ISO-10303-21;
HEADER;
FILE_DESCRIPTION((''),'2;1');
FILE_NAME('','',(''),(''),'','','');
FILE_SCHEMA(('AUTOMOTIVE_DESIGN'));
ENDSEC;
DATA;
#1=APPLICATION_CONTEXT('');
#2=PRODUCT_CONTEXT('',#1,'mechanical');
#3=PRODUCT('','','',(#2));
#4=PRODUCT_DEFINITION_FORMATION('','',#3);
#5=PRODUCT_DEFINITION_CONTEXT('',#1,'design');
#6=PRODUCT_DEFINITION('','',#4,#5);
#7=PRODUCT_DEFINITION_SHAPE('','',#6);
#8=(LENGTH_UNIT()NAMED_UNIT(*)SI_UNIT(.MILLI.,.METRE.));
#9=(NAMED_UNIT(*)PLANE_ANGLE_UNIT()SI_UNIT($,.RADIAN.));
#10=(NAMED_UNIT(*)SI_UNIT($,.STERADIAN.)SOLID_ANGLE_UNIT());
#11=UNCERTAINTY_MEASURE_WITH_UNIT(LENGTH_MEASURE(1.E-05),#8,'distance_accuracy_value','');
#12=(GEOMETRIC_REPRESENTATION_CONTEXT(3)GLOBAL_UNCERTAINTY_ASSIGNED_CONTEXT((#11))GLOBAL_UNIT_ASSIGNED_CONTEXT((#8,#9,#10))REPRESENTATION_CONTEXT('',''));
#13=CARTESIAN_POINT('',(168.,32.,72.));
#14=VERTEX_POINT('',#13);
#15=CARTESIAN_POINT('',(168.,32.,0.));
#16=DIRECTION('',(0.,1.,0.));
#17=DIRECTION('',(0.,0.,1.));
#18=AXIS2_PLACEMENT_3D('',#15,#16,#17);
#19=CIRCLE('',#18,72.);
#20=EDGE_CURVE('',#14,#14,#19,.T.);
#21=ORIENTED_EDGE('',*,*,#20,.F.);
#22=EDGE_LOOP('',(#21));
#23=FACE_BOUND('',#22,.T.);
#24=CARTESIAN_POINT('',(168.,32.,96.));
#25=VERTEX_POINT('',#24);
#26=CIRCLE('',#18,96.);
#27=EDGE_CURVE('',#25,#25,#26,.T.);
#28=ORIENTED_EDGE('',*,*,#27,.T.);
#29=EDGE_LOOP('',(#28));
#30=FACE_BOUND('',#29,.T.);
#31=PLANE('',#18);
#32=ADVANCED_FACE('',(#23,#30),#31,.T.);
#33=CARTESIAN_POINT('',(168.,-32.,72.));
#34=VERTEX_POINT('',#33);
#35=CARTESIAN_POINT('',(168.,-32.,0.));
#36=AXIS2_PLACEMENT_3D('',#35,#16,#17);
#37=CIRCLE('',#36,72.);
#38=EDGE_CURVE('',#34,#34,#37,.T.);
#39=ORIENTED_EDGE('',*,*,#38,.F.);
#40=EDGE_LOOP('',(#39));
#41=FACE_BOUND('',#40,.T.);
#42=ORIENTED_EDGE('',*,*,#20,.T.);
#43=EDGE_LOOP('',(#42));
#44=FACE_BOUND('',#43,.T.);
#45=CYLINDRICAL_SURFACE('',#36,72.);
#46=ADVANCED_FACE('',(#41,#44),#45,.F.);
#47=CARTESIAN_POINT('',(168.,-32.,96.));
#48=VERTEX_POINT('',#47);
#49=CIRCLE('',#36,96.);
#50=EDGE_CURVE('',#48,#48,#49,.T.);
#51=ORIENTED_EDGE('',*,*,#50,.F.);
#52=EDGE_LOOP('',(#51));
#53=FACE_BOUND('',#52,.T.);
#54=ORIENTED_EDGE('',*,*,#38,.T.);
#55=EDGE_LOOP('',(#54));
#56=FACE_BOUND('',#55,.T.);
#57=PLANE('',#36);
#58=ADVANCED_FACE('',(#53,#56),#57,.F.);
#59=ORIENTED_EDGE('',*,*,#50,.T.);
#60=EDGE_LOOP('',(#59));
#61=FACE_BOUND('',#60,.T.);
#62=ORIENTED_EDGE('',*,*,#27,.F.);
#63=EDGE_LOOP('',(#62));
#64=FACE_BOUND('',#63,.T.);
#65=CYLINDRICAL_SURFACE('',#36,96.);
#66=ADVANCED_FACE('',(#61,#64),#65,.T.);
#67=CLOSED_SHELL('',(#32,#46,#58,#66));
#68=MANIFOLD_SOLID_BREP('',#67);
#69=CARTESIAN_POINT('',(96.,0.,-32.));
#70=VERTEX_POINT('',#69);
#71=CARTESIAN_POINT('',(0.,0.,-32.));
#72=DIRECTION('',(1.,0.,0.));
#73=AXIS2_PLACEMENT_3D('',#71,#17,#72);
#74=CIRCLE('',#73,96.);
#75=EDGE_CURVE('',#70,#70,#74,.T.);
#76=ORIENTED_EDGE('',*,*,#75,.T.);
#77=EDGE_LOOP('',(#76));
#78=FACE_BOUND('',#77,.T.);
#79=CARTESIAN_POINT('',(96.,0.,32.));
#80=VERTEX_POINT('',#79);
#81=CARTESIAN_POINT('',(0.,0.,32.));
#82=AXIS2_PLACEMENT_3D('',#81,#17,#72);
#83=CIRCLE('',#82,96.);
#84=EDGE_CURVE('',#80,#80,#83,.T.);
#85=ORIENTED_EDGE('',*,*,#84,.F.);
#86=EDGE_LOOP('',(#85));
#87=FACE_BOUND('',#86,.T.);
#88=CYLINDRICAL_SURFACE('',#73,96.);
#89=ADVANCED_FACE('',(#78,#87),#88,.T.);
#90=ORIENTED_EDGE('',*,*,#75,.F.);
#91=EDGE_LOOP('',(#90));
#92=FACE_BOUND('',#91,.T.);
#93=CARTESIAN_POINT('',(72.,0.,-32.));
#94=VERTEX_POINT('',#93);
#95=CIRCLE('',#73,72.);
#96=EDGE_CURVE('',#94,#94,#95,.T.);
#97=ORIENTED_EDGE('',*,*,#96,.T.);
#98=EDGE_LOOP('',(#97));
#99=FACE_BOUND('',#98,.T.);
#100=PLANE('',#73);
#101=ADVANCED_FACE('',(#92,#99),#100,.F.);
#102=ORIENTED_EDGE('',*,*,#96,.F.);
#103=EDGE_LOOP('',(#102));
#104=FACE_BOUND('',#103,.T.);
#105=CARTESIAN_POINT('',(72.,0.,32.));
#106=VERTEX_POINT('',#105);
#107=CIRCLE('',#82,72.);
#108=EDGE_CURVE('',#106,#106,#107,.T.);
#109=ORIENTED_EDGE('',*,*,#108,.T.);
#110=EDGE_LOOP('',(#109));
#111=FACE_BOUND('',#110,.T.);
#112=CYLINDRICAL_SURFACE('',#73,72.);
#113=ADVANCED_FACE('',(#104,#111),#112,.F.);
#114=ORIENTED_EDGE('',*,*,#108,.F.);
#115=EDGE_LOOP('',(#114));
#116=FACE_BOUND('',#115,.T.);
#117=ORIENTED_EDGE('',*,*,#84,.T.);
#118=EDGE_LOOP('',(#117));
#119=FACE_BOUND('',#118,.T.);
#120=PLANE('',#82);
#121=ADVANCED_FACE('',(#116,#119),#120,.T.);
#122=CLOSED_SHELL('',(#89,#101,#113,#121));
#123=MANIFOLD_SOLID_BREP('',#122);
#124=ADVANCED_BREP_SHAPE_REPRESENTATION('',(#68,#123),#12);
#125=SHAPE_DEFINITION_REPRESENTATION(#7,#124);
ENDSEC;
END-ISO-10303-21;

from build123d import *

# Parameters (mm, degrees)
BOSS_EXTRUDE1_DEPTH      = 32
BOSS_EXTRUDE1_DEPTH_BACK = 32
SKETCH1_R                = 96
SKETCH1_R_2              = 72
BOSS_EXTRUDE2_DEPTH      = 32
BOSS_EXTRUDE2_DEPTH_BACK = 32
SKETCH2_R                = 96
SKETCH2_R_2              = 72


with BuildPart() as part:
    # Sketch1 → Boss-Extrude1 (new, two sides: drawn at the far end of the back side and taken through both)
    with BuildSketch(Plane.XY.offset(-BOSS_EXTRUDE1_DEPTH_BACK)):
        Circle(SKETCH1_R)
        Circle(SKETCH1_R_2, mode=Mode.SUBTRACT)
    extrude(amount=BOSS_EXTRUDE1_DEPTH + BOSS_EXTRUDE1_DEPTH_BACK)


with BuildPart() as body_2:
    # Sketch2 → Boss-Extrude2 (new, two sides: drawn at the far end of the back side and taken through both)
    with BuildSketch(Plane(origin=(0, 0, 0), x_dir=(1, 0, 0), z_dir=(0, 1, 0)).offset(-BOSS_EXTRUDE2_DEPTH_BACK)):
        with Locations((168, 0)):
            Circle(SKETCH2_R)
        with Locations((168, 0)):
            Circle(SKETCH2_R_2, mode=Mode.SUBTRACT)
    extrude(amount=BOSS_EXTRUDE2_DEPTH + BOSS_EXTRUDE2_DEPTH_BACK)


solid = Compound([part.part, body_2.part])
